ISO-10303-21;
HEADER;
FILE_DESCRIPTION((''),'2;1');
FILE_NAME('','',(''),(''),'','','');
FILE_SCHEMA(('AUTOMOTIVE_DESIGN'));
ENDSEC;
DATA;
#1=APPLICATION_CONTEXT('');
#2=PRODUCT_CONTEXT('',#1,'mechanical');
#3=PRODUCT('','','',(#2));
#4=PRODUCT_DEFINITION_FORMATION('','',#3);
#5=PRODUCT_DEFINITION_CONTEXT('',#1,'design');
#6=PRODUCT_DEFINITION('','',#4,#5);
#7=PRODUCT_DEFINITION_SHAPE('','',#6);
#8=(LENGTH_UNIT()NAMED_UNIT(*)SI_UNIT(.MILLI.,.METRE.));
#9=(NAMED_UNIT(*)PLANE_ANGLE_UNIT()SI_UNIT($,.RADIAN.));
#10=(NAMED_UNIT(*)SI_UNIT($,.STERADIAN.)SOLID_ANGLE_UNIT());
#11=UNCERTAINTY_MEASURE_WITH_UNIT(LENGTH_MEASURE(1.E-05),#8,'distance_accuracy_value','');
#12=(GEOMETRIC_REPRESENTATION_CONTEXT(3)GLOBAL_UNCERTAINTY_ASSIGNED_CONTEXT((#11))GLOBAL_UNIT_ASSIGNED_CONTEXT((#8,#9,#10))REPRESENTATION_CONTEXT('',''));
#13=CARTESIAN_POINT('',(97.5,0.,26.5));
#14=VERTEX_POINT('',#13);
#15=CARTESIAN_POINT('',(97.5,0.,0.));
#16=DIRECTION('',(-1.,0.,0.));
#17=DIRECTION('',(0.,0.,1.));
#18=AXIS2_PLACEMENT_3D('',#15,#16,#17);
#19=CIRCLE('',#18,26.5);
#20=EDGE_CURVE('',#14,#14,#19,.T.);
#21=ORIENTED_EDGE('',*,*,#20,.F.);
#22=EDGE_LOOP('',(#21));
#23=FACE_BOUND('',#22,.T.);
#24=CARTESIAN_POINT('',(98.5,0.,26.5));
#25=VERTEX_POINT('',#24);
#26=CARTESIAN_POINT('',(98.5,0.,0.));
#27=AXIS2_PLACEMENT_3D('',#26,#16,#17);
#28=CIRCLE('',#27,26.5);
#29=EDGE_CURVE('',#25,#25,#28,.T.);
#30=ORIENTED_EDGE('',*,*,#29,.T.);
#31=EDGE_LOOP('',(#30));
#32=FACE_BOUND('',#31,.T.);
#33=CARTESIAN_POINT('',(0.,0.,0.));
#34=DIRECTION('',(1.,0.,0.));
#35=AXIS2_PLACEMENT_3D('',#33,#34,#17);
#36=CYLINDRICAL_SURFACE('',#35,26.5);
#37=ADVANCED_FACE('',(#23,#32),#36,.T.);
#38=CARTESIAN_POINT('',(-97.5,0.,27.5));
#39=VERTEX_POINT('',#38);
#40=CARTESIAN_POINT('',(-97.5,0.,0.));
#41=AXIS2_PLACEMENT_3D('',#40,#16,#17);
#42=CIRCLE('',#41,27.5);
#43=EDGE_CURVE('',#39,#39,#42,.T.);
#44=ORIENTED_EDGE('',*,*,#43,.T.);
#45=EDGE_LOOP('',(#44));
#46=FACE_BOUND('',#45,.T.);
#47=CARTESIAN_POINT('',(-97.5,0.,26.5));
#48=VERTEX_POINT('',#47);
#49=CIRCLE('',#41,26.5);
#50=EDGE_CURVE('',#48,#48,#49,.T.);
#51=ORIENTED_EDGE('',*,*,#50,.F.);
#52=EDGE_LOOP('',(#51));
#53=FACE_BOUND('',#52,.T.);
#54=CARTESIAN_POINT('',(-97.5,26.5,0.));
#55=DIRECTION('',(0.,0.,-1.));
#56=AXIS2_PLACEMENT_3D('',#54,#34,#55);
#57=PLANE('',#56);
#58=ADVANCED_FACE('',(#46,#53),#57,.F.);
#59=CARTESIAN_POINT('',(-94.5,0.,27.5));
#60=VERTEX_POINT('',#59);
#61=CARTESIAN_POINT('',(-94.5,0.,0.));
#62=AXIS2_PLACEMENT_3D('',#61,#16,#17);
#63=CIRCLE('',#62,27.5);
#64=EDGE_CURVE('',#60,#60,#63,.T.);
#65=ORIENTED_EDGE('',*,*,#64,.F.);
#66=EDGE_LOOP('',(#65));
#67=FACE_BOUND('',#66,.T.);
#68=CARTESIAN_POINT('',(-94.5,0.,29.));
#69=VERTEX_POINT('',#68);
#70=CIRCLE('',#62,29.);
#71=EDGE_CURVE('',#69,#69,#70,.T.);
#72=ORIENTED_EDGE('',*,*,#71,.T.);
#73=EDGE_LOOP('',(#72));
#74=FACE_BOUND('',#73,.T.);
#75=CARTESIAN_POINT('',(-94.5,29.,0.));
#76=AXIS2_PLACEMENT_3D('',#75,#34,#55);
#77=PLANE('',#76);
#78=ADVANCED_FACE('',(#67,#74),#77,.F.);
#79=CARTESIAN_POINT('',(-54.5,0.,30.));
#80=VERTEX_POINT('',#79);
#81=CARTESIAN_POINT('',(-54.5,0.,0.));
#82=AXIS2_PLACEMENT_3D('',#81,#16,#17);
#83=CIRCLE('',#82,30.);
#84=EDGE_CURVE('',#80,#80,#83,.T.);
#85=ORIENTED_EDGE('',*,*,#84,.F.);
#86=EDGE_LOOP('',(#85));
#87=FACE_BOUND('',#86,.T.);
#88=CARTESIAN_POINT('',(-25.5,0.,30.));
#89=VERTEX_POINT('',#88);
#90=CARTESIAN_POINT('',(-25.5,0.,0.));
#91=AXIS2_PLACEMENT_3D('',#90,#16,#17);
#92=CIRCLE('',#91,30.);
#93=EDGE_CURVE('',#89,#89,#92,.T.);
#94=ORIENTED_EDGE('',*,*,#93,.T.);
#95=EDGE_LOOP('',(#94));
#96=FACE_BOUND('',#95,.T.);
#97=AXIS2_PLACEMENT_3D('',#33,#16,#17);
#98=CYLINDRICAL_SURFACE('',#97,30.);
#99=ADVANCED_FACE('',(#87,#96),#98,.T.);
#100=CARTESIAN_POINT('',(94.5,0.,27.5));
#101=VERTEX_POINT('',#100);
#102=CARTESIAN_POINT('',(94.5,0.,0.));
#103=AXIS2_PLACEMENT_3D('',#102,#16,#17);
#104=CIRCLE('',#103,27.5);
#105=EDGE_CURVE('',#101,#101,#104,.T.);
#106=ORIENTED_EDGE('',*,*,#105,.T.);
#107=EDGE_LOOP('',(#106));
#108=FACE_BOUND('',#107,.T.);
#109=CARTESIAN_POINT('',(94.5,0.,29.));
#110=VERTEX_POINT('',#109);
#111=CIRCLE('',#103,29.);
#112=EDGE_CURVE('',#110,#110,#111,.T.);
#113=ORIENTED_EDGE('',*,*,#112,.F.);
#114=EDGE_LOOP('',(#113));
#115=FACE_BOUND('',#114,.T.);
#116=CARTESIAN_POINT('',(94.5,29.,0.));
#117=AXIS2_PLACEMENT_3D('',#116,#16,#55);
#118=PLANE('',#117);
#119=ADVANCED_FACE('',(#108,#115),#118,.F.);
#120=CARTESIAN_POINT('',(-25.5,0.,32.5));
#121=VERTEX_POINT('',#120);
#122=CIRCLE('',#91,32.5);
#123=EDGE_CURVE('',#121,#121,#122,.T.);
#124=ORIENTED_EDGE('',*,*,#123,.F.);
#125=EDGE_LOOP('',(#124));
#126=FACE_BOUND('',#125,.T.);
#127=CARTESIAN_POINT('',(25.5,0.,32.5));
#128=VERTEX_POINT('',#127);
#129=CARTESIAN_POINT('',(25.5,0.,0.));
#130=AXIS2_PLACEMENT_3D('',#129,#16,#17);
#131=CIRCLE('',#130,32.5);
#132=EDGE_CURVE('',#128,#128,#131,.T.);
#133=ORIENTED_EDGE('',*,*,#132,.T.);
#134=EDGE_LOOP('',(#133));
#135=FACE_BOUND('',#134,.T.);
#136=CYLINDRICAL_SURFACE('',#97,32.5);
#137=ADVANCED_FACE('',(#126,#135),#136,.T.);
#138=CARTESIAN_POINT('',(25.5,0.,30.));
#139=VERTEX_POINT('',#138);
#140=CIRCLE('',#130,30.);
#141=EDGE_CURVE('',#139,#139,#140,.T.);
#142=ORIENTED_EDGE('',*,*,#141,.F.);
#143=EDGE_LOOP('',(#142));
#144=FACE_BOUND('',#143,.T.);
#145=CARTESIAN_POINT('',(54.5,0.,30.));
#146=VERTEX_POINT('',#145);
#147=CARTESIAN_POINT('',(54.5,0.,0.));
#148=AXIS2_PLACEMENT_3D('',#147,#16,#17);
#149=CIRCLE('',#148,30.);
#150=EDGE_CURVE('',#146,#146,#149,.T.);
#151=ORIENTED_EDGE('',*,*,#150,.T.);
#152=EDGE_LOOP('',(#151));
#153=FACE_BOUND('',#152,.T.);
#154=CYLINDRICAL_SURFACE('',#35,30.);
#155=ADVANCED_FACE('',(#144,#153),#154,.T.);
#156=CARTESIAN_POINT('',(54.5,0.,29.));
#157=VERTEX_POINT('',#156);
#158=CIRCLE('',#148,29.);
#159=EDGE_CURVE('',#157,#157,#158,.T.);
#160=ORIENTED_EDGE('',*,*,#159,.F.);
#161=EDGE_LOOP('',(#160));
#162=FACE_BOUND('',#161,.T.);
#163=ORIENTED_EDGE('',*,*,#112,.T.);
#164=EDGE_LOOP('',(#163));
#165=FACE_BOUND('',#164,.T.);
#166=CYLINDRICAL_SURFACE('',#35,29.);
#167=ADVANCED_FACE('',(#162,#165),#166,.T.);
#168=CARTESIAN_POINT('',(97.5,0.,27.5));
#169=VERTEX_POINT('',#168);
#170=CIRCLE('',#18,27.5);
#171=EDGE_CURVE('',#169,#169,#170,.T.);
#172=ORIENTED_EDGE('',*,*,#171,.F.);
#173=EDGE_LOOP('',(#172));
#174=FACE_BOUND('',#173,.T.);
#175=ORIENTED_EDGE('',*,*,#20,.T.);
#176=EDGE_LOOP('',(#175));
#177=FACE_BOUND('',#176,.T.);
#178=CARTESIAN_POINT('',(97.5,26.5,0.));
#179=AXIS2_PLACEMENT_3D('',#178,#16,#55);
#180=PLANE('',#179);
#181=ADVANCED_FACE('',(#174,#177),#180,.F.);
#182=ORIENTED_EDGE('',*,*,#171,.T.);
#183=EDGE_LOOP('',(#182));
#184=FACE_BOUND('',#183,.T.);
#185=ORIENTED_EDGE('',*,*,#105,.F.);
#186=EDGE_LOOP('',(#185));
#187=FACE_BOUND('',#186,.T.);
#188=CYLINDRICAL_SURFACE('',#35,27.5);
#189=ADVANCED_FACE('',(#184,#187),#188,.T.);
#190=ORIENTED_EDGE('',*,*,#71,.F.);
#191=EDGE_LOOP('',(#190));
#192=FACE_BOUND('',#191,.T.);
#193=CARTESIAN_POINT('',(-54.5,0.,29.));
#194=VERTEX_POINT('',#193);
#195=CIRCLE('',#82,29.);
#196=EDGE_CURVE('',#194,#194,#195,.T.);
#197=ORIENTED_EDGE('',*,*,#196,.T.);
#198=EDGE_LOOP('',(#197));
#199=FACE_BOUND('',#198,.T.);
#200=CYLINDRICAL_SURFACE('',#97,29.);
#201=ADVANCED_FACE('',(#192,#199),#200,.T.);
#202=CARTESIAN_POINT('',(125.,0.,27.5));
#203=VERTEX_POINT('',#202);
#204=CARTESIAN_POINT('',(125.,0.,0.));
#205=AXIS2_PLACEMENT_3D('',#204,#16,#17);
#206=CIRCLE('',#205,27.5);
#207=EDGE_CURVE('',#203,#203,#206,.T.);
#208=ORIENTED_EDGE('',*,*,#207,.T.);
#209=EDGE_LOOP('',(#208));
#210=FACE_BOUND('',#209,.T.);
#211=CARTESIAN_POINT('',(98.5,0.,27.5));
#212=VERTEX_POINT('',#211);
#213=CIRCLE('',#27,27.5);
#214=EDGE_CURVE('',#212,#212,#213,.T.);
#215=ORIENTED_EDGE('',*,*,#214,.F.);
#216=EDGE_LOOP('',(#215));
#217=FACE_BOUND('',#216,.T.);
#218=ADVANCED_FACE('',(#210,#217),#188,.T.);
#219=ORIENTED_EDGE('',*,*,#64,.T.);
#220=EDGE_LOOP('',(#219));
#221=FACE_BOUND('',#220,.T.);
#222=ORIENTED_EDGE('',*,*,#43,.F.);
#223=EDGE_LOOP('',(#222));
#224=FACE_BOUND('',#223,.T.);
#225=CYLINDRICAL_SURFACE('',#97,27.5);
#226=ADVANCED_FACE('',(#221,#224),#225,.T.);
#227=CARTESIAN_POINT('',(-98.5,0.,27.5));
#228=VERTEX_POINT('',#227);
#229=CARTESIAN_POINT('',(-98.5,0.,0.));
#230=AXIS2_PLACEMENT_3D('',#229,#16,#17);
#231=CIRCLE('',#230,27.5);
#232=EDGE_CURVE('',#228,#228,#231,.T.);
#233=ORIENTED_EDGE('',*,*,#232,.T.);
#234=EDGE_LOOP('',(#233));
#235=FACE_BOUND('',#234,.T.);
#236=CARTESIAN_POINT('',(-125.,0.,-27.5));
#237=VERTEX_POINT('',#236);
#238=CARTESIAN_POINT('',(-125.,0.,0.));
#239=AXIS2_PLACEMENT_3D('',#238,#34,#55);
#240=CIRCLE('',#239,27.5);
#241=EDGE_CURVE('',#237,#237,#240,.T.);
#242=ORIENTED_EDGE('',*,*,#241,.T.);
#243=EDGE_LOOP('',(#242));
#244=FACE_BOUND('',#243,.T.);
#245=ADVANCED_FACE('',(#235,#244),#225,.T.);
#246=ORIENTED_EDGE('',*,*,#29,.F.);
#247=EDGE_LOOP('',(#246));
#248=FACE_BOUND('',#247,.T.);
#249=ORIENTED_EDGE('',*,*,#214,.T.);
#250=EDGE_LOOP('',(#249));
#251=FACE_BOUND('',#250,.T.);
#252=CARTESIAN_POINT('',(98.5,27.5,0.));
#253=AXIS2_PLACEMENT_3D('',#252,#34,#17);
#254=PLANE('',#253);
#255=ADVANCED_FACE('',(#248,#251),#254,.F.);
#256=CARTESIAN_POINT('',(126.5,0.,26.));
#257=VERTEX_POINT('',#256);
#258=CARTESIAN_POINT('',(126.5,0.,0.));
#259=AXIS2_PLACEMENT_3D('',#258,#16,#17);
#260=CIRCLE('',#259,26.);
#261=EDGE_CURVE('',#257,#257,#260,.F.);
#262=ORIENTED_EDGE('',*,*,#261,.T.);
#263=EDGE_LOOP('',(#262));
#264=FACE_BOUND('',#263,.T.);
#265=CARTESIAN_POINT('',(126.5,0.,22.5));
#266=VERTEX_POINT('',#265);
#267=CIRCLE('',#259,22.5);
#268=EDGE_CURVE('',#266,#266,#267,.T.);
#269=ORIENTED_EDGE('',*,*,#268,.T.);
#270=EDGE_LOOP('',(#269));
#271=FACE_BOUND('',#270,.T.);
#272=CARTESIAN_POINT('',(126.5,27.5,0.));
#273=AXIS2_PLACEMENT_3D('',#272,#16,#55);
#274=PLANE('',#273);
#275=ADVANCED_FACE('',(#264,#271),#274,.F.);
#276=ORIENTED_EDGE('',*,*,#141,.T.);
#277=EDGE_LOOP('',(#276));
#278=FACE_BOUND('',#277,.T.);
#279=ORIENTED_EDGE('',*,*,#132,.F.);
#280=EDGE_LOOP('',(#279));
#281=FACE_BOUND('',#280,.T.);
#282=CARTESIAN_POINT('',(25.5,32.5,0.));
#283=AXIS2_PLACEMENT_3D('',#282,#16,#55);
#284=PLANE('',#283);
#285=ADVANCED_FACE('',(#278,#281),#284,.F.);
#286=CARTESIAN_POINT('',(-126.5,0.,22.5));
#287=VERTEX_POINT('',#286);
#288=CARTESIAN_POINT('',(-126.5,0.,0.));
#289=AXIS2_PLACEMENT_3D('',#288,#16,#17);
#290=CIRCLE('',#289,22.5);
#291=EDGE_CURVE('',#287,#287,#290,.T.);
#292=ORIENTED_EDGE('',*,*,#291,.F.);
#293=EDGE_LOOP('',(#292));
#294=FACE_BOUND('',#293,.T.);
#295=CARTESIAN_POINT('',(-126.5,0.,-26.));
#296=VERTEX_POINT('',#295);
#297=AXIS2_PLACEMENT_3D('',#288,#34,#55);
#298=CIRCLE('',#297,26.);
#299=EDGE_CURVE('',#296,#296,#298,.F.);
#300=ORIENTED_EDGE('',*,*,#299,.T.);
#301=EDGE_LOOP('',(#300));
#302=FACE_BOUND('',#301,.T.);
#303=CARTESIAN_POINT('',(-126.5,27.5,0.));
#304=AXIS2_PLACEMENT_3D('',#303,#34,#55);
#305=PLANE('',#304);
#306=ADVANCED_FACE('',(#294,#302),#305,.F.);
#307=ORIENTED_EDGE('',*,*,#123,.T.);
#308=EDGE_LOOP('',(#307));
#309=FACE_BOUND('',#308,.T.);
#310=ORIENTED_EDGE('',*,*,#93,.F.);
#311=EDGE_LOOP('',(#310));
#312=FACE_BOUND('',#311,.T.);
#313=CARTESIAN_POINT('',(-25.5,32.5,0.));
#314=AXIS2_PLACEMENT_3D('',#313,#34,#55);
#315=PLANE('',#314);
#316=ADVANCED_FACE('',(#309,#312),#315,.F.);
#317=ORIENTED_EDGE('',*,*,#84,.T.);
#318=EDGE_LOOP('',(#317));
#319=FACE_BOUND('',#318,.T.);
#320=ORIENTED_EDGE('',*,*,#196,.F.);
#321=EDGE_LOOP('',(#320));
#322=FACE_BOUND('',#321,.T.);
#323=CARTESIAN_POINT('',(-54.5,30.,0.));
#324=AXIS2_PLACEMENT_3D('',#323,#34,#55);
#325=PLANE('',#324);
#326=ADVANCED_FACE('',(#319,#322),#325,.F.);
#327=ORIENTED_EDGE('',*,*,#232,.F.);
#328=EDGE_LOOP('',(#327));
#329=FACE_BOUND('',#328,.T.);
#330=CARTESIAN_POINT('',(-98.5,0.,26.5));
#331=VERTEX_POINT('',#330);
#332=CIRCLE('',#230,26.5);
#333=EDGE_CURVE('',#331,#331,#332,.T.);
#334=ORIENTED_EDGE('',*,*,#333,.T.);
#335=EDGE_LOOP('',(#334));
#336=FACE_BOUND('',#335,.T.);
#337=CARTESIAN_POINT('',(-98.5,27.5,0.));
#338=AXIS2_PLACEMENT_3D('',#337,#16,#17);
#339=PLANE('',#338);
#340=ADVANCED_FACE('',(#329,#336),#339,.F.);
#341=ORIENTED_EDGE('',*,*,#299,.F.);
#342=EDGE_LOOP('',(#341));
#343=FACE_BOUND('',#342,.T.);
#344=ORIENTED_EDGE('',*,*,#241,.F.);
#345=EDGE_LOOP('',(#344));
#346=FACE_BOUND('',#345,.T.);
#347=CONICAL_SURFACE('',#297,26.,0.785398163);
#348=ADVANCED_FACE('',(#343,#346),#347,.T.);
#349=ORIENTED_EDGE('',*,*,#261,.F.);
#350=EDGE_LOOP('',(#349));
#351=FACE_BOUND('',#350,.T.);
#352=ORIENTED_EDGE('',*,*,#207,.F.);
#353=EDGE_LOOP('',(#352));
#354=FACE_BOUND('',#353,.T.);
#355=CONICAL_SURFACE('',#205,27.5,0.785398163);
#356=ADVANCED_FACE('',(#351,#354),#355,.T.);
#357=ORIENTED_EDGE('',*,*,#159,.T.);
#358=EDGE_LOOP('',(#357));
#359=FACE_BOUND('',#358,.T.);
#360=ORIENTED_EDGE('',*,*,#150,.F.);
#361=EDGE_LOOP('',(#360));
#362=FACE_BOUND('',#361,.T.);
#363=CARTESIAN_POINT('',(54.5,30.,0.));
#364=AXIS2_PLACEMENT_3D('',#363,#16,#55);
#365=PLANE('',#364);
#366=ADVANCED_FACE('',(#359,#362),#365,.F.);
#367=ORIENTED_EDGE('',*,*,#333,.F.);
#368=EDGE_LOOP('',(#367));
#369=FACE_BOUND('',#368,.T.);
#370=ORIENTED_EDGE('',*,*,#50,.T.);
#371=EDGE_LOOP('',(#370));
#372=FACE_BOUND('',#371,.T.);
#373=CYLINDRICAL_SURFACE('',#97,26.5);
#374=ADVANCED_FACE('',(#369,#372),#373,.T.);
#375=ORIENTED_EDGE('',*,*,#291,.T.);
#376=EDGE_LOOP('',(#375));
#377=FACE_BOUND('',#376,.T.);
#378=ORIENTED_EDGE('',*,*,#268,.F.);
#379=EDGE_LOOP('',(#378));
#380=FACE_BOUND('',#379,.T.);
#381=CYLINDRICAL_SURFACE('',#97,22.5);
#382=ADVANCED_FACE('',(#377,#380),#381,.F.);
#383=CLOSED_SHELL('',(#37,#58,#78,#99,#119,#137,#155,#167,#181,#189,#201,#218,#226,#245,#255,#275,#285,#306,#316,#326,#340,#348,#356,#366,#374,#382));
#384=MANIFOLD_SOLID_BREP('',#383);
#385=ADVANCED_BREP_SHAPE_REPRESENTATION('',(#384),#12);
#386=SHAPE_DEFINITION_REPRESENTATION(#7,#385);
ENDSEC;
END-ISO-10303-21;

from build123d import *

# Parameters (mm, degrees)
CHAMFER1_SIZE = 1.5


with BuildPart() as part:
    # Sketch1 → Revolve1 (revolve)
    with BuildSketch(Plane.XY, mode=Mode.PRIVATE) as revolve1_sk:
        Polygon((0, 32.5), (-25.5, 32.5), (-25.5, 30), (-54.5, 30), (-54.5, 29), (-94.5, 29), (-94.5, 27.5), (-97.5, 27.5), (-97.5, 26.5), (-98.5, 26.5), (-98.5, 27.5), (-126.5, 27.5), (-126.5, 22.5), (0, 22.5), align=None)
    revolve1 = revolve(revolve1_sk.sketch.rotate(Axis((0, 0, 0), (1, 0, 0)), 90), axis=Axis((0, 0, 0), (1, 0, 0)))

    # Mirror1: Revolve1 across plane
    add(revolve1.mirror(Plane(origin=(0, 0, 0), x_dir=(0, 0, 1), z_dir=(1, 0, 0))))

    # Chamfer1
    chamfer1_edges = [part.edges().sort_by_distance(p)[0] for p in [
        (-126.5, 0, -27.5),
        (126.5, 0, -27.5),
    ]]
    chamfer(chamfer1_edges, length=CHAMFER1_SIZE)


solid = part.part
